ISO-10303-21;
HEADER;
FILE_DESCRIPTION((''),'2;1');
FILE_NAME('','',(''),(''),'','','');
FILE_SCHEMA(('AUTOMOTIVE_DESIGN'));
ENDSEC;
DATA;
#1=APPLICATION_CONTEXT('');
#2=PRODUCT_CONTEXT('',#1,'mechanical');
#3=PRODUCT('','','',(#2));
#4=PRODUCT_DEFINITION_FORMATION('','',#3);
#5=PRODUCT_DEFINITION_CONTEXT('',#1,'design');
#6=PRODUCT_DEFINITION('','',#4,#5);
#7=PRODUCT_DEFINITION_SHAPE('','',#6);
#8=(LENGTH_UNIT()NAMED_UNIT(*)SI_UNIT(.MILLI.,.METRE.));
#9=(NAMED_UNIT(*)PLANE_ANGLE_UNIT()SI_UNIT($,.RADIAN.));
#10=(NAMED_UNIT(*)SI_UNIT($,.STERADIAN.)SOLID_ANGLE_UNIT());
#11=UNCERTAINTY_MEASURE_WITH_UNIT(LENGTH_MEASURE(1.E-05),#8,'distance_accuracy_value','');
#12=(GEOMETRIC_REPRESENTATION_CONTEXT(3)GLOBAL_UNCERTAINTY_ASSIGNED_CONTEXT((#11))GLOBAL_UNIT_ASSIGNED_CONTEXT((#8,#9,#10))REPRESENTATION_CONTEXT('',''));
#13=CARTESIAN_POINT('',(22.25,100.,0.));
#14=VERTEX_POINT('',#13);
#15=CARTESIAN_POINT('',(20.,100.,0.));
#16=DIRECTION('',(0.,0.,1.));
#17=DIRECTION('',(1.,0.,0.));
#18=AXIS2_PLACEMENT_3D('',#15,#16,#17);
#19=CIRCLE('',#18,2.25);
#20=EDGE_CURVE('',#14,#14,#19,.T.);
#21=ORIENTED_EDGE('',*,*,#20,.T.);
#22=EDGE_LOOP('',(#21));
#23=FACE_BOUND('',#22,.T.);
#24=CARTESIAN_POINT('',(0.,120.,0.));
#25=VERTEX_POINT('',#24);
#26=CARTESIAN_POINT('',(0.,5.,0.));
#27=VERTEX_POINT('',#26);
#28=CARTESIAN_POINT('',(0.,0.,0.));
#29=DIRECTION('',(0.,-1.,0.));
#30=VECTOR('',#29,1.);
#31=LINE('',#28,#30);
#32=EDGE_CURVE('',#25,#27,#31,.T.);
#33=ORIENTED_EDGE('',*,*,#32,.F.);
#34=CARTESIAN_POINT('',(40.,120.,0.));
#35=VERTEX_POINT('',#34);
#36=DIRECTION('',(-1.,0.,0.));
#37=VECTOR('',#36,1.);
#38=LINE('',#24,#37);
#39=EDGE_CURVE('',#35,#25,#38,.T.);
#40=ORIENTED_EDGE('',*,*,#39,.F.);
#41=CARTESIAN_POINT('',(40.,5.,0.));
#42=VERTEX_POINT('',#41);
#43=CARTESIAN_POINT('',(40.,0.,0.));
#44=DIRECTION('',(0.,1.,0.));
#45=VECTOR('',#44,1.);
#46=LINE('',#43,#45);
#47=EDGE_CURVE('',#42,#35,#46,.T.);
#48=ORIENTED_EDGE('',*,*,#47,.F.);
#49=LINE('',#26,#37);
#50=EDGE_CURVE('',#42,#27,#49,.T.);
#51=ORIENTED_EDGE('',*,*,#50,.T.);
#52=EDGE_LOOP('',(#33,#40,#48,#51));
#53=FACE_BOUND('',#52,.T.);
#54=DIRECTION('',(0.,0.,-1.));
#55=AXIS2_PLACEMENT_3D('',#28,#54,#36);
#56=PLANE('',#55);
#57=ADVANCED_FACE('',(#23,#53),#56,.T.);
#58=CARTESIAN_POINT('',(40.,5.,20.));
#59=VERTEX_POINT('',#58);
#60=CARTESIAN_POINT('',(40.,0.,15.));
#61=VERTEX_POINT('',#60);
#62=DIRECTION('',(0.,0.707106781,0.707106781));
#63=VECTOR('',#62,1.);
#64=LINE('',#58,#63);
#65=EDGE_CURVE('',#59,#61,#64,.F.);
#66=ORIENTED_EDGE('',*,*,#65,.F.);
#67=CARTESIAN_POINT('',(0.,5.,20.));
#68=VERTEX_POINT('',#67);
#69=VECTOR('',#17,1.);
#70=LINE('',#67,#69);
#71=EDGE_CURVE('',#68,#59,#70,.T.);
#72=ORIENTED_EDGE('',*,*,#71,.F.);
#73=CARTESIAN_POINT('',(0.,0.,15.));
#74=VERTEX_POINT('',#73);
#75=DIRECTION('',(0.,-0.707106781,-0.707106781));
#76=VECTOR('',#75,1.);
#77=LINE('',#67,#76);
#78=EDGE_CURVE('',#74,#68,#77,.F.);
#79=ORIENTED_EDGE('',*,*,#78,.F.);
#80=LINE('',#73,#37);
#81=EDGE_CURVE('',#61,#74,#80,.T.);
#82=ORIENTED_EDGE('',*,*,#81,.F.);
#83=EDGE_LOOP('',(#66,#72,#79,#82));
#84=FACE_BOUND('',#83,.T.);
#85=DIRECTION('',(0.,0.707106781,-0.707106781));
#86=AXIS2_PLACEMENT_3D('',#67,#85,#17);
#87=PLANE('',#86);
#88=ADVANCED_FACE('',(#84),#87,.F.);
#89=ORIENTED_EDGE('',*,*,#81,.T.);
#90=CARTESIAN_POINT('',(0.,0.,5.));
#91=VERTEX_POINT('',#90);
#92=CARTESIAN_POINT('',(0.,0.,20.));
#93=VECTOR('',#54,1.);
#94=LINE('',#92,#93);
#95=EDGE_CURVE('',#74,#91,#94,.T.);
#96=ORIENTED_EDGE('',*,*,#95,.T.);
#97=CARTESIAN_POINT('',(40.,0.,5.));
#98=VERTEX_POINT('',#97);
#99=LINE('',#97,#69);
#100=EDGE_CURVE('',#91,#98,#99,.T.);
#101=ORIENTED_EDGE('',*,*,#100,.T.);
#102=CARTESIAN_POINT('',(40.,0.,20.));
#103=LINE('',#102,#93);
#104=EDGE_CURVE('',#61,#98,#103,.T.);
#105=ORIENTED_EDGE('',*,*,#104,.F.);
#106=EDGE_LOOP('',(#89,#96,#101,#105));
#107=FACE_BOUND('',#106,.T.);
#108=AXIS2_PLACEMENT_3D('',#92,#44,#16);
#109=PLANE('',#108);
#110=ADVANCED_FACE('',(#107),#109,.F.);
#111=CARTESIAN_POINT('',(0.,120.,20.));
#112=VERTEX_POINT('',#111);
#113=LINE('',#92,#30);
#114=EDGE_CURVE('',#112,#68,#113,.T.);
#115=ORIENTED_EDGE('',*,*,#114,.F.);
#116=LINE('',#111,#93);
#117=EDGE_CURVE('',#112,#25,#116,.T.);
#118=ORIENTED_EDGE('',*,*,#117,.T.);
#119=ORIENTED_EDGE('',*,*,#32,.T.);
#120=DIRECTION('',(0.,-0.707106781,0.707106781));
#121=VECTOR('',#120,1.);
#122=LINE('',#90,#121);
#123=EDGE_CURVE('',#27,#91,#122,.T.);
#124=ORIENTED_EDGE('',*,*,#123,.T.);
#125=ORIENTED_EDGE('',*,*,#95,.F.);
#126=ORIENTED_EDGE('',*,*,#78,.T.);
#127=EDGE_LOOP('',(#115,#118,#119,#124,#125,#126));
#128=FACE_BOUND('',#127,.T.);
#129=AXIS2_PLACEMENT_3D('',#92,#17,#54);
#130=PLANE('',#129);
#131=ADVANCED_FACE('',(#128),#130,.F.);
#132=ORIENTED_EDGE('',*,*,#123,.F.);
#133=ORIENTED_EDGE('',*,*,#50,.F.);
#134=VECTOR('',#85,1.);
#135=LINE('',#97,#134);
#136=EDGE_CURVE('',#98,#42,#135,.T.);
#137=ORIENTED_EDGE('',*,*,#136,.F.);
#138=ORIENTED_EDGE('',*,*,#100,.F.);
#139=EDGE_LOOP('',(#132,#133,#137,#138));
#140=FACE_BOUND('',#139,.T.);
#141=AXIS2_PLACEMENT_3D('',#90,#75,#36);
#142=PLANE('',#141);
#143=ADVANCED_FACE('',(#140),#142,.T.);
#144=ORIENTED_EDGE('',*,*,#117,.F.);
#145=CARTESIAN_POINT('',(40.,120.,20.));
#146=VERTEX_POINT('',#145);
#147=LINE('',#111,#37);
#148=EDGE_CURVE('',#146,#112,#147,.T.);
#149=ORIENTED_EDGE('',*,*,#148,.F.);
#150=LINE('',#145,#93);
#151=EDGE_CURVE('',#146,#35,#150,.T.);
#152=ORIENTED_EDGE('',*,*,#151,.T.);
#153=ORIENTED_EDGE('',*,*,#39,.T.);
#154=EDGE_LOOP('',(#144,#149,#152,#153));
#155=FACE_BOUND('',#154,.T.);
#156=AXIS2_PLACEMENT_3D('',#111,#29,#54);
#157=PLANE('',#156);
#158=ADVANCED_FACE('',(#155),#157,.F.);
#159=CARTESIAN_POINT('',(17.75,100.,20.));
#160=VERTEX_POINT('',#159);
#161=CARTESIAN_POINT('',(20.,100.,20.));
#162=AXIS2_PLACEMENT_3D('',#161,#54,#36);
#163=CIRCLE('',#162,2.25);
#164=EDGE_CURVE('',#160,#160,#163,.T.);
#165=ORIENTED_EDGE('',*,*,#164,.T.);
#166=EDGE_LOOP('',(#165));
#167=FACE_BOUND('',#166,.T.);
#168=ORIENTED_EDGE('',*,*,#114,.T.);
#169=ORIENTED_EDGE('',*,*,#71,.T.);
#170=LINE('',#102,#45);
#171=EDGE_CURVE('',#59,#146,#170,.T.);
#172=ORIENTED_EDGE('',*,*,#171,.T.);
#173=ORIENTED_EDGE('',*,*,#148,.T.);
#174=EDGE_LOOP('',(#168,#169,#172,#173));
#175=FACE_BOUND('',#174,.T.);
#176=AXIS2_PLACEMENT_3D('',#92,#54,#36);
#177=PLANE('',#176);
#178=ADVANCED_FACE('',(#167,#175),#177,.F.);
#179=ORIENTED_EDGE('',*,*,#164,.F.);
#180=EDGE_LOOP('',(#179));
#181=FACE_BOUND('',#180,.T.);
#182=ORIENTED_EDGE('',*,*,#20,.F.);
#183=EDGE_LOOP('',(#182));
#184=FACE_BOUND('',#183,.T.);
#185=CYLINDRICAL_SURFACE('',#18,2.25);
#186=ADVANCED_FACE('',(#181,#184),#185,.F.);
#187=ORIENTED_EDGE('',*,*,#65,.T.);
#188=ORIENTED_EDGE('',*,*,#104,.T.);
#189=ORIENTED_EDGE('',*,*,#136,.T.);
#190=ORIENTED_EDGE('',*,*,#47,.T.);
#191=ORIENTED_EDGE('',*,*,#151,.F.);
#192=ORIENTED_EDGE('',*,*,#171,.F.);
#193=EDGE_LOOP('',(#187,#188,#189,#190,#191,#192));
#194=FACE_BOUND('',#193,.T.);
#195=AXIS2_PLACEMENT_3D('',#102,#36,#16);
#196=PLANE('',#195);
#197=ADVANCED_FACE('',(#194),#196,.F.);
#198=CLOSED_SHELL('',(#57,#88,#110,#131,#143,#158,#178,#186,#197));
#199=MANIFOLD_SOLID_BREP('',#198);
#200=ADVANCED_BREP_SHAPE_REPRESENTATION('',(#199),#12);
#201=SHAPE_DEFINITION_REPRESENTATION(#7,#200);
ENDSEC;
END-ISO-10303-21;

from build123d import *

# Parameters (mm, degrees)
ESQUISSE1_W                  = 40
ESQUISSE1_H                  = 120
BOSS_EXTRU_1_DEPTH           = 20
CHANFREIN2_SIZE              = 5
ENL_V_MAT_EXTRU_1_DEPTH      = 129.062484749
ENL_V_MAT_EXTRU_1_DEPTH_BACK = 129.062484749
ESQUISSE3_R                  = 2.25


with BuildPart() as part:
    # Esquisse1 → Boss.-Extru.1 (new body)
    with BuildSketch(Plane.XY):
        with Locations((20, 60)):
            Rectangle(ESQUISSE1_W, ESQUISSE1_H)
    extrude(amount=BOSS_EXTRU_1_DEPTH)

    # Chanfrein2
    chanfrein2_edges = [part.edges().sort_by_distance(p)[0] for p in [
        (20, 0, 0),
        (20, 0, 20),
    ]]
    chamfer(chanfrein2_edges, length=CHANFREIN2_SIZE)

    # Esquisse3 → Enlèv. mat.-Extru.1 (cut, two sides: drawn at the far end of the back side and taken through both)
    with BuildSketch(Plane.XY.offset(20).offset(-ENL_V_MAT_EXTRU_1_DEPTH_BACK)):
        with Locations((20, 100)):
            Circle(ESQUISSE3_R)
    extrude(amount=ENL_V_MAT_EXTRU_1_DEPTH + ENL_V_MAT_EXTRU_1_DEPTH_BACK, mode=Mode.SUBTRACT)


solid = part.part
